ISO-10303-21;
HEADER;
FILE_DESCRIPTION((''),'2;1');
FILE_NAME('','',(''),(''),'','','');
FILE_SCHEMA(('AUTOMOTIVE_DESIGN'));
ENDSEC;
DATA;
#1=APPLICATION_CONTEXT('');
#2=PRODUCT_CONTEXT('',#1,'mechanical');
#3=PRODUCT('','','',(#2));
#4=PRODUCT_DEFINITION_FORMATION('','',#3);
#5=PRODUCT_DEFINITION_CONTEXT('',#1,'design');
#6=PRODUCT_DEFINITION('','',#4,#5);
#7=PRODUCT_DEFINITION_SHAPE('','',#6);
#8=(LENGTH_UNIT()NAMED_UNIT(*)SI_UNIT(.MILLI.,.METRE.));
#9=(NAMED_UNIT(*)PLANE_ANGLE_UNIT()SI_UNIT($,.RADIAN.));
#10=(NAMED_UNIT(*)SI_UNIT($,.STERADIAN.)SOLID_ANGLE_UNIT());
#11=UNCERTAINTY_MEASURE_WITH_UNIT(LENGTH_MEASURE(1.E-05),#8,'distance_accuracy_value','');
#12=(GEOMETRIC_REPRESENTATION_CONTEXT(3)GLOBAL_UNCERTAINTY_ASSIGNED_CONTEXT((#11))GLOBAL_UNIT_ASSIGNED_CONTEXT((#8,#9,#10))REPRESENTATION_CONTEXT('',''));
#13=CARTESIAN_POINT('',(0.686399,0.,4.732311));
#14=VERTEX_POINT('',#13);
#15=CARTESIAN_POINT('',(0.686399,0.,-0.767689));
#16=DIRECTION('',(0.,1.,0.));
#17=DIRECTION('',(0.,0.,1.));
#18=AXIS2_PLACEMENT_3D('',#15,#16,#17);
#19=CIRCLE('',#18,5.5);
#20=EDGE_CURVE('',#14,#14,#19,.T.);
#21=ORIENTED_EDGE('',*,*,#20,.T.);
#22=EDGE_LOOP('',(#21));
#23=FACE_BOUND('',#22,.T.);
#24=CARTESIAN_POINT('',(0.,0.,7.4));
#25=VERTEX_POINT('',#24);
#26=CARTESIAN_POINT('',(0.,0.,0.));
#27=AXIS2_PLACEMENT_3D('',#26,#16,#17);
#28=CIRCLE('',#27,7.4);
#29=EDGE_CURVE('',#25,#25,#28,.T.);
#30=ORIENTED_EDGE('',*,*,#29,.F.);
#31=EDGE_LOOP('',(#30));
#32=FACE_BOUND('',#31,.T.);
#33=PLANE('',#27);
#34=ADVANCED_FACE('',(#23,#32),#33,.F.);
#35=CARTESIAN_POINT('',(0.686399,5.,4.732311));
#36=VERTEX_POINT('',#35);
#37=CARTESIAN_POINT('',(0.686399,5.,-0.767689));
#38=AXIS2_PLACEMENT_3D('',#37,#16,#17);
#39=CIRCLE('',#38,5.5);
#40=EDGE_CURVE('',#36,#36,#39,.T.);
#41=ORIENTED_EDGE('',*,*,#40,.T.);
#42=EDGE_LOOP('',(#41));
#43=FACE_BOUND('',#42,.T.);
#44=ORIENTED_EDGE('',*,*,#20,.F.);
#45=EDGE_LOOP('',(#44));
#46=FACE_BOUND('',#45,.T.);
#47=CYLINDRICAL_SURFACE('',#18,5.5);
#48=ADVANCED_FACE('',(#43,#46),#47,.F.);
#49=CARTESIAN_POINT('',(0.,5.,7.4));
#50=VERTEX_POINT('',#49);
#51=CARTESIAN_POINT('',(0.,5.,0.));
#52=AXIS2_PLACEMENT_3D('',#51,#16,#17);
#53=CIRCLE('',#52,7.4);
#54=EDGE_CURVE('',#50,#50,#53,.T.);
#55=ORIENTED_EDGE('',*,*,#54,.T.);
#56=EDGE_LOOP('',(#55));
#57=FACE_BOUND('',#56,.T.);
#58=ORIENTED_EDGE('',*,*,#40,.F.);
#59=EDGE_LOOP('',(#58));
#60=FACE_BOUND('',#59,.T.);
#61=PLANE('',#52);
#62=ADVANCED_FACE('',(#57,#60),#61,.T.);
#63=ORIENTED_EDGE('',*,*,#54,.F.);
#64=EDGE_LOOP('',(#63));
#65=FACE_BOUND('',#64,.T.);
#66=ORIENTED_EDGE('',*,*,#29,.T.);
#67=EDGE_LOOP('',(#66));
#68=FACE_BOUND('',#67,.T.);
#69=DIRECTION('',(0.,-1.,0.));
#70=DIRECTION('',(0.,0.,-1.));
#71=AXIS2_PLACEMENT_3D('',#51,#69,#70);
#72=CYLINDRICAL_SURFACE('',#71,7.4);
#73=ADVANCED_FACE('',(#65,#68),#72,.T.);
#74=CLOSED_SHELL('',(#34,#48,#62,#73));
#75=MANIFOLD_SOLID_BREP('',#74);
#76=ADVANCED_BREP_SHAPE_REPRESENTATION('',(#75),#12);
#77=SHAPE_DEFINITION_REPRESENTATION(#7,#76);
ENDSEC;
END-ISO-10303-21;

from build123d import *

# Parameters (mm, degrees)
SKETCH1_R           = 7.4
BOSS_EXTRUDE1_DEPTH = 5
SKETCH2_R           = 5.5
CUT_EXTRUDE1_DEPTH  = 5


with BuildPart() as part:
    # Sketch1 → Boss-Extrude1 (new body)
    with BuildSketch(Plane(origin=(0, 0, 0), x_dir=(1, 0, 0), z_dir=(0, 1, 0))):
        with Locations(Location((0, 0, 0), (0, 0, 270))):
            Circle(SKETCH1_R)
    extrude(amount=BOSS_EXTRUDE1_DEPTH)

    # Sketch2 → Cut-Extrude1 (cut)
    with BuildSketch(Plane(origin=(0, 5, 0), x_dir=(1, 0, 0), z_dir=(0, 1, 0))):
        with Locations(Location((0.686398521, 0.767689011, 0), (0, 0, 270))):
            Circle(SKETCH2_R)
    extrude(amount=-CUT_EXTRUDE1_DEPTH, mode=Mode.SUBTRACT)


solid = part.part
